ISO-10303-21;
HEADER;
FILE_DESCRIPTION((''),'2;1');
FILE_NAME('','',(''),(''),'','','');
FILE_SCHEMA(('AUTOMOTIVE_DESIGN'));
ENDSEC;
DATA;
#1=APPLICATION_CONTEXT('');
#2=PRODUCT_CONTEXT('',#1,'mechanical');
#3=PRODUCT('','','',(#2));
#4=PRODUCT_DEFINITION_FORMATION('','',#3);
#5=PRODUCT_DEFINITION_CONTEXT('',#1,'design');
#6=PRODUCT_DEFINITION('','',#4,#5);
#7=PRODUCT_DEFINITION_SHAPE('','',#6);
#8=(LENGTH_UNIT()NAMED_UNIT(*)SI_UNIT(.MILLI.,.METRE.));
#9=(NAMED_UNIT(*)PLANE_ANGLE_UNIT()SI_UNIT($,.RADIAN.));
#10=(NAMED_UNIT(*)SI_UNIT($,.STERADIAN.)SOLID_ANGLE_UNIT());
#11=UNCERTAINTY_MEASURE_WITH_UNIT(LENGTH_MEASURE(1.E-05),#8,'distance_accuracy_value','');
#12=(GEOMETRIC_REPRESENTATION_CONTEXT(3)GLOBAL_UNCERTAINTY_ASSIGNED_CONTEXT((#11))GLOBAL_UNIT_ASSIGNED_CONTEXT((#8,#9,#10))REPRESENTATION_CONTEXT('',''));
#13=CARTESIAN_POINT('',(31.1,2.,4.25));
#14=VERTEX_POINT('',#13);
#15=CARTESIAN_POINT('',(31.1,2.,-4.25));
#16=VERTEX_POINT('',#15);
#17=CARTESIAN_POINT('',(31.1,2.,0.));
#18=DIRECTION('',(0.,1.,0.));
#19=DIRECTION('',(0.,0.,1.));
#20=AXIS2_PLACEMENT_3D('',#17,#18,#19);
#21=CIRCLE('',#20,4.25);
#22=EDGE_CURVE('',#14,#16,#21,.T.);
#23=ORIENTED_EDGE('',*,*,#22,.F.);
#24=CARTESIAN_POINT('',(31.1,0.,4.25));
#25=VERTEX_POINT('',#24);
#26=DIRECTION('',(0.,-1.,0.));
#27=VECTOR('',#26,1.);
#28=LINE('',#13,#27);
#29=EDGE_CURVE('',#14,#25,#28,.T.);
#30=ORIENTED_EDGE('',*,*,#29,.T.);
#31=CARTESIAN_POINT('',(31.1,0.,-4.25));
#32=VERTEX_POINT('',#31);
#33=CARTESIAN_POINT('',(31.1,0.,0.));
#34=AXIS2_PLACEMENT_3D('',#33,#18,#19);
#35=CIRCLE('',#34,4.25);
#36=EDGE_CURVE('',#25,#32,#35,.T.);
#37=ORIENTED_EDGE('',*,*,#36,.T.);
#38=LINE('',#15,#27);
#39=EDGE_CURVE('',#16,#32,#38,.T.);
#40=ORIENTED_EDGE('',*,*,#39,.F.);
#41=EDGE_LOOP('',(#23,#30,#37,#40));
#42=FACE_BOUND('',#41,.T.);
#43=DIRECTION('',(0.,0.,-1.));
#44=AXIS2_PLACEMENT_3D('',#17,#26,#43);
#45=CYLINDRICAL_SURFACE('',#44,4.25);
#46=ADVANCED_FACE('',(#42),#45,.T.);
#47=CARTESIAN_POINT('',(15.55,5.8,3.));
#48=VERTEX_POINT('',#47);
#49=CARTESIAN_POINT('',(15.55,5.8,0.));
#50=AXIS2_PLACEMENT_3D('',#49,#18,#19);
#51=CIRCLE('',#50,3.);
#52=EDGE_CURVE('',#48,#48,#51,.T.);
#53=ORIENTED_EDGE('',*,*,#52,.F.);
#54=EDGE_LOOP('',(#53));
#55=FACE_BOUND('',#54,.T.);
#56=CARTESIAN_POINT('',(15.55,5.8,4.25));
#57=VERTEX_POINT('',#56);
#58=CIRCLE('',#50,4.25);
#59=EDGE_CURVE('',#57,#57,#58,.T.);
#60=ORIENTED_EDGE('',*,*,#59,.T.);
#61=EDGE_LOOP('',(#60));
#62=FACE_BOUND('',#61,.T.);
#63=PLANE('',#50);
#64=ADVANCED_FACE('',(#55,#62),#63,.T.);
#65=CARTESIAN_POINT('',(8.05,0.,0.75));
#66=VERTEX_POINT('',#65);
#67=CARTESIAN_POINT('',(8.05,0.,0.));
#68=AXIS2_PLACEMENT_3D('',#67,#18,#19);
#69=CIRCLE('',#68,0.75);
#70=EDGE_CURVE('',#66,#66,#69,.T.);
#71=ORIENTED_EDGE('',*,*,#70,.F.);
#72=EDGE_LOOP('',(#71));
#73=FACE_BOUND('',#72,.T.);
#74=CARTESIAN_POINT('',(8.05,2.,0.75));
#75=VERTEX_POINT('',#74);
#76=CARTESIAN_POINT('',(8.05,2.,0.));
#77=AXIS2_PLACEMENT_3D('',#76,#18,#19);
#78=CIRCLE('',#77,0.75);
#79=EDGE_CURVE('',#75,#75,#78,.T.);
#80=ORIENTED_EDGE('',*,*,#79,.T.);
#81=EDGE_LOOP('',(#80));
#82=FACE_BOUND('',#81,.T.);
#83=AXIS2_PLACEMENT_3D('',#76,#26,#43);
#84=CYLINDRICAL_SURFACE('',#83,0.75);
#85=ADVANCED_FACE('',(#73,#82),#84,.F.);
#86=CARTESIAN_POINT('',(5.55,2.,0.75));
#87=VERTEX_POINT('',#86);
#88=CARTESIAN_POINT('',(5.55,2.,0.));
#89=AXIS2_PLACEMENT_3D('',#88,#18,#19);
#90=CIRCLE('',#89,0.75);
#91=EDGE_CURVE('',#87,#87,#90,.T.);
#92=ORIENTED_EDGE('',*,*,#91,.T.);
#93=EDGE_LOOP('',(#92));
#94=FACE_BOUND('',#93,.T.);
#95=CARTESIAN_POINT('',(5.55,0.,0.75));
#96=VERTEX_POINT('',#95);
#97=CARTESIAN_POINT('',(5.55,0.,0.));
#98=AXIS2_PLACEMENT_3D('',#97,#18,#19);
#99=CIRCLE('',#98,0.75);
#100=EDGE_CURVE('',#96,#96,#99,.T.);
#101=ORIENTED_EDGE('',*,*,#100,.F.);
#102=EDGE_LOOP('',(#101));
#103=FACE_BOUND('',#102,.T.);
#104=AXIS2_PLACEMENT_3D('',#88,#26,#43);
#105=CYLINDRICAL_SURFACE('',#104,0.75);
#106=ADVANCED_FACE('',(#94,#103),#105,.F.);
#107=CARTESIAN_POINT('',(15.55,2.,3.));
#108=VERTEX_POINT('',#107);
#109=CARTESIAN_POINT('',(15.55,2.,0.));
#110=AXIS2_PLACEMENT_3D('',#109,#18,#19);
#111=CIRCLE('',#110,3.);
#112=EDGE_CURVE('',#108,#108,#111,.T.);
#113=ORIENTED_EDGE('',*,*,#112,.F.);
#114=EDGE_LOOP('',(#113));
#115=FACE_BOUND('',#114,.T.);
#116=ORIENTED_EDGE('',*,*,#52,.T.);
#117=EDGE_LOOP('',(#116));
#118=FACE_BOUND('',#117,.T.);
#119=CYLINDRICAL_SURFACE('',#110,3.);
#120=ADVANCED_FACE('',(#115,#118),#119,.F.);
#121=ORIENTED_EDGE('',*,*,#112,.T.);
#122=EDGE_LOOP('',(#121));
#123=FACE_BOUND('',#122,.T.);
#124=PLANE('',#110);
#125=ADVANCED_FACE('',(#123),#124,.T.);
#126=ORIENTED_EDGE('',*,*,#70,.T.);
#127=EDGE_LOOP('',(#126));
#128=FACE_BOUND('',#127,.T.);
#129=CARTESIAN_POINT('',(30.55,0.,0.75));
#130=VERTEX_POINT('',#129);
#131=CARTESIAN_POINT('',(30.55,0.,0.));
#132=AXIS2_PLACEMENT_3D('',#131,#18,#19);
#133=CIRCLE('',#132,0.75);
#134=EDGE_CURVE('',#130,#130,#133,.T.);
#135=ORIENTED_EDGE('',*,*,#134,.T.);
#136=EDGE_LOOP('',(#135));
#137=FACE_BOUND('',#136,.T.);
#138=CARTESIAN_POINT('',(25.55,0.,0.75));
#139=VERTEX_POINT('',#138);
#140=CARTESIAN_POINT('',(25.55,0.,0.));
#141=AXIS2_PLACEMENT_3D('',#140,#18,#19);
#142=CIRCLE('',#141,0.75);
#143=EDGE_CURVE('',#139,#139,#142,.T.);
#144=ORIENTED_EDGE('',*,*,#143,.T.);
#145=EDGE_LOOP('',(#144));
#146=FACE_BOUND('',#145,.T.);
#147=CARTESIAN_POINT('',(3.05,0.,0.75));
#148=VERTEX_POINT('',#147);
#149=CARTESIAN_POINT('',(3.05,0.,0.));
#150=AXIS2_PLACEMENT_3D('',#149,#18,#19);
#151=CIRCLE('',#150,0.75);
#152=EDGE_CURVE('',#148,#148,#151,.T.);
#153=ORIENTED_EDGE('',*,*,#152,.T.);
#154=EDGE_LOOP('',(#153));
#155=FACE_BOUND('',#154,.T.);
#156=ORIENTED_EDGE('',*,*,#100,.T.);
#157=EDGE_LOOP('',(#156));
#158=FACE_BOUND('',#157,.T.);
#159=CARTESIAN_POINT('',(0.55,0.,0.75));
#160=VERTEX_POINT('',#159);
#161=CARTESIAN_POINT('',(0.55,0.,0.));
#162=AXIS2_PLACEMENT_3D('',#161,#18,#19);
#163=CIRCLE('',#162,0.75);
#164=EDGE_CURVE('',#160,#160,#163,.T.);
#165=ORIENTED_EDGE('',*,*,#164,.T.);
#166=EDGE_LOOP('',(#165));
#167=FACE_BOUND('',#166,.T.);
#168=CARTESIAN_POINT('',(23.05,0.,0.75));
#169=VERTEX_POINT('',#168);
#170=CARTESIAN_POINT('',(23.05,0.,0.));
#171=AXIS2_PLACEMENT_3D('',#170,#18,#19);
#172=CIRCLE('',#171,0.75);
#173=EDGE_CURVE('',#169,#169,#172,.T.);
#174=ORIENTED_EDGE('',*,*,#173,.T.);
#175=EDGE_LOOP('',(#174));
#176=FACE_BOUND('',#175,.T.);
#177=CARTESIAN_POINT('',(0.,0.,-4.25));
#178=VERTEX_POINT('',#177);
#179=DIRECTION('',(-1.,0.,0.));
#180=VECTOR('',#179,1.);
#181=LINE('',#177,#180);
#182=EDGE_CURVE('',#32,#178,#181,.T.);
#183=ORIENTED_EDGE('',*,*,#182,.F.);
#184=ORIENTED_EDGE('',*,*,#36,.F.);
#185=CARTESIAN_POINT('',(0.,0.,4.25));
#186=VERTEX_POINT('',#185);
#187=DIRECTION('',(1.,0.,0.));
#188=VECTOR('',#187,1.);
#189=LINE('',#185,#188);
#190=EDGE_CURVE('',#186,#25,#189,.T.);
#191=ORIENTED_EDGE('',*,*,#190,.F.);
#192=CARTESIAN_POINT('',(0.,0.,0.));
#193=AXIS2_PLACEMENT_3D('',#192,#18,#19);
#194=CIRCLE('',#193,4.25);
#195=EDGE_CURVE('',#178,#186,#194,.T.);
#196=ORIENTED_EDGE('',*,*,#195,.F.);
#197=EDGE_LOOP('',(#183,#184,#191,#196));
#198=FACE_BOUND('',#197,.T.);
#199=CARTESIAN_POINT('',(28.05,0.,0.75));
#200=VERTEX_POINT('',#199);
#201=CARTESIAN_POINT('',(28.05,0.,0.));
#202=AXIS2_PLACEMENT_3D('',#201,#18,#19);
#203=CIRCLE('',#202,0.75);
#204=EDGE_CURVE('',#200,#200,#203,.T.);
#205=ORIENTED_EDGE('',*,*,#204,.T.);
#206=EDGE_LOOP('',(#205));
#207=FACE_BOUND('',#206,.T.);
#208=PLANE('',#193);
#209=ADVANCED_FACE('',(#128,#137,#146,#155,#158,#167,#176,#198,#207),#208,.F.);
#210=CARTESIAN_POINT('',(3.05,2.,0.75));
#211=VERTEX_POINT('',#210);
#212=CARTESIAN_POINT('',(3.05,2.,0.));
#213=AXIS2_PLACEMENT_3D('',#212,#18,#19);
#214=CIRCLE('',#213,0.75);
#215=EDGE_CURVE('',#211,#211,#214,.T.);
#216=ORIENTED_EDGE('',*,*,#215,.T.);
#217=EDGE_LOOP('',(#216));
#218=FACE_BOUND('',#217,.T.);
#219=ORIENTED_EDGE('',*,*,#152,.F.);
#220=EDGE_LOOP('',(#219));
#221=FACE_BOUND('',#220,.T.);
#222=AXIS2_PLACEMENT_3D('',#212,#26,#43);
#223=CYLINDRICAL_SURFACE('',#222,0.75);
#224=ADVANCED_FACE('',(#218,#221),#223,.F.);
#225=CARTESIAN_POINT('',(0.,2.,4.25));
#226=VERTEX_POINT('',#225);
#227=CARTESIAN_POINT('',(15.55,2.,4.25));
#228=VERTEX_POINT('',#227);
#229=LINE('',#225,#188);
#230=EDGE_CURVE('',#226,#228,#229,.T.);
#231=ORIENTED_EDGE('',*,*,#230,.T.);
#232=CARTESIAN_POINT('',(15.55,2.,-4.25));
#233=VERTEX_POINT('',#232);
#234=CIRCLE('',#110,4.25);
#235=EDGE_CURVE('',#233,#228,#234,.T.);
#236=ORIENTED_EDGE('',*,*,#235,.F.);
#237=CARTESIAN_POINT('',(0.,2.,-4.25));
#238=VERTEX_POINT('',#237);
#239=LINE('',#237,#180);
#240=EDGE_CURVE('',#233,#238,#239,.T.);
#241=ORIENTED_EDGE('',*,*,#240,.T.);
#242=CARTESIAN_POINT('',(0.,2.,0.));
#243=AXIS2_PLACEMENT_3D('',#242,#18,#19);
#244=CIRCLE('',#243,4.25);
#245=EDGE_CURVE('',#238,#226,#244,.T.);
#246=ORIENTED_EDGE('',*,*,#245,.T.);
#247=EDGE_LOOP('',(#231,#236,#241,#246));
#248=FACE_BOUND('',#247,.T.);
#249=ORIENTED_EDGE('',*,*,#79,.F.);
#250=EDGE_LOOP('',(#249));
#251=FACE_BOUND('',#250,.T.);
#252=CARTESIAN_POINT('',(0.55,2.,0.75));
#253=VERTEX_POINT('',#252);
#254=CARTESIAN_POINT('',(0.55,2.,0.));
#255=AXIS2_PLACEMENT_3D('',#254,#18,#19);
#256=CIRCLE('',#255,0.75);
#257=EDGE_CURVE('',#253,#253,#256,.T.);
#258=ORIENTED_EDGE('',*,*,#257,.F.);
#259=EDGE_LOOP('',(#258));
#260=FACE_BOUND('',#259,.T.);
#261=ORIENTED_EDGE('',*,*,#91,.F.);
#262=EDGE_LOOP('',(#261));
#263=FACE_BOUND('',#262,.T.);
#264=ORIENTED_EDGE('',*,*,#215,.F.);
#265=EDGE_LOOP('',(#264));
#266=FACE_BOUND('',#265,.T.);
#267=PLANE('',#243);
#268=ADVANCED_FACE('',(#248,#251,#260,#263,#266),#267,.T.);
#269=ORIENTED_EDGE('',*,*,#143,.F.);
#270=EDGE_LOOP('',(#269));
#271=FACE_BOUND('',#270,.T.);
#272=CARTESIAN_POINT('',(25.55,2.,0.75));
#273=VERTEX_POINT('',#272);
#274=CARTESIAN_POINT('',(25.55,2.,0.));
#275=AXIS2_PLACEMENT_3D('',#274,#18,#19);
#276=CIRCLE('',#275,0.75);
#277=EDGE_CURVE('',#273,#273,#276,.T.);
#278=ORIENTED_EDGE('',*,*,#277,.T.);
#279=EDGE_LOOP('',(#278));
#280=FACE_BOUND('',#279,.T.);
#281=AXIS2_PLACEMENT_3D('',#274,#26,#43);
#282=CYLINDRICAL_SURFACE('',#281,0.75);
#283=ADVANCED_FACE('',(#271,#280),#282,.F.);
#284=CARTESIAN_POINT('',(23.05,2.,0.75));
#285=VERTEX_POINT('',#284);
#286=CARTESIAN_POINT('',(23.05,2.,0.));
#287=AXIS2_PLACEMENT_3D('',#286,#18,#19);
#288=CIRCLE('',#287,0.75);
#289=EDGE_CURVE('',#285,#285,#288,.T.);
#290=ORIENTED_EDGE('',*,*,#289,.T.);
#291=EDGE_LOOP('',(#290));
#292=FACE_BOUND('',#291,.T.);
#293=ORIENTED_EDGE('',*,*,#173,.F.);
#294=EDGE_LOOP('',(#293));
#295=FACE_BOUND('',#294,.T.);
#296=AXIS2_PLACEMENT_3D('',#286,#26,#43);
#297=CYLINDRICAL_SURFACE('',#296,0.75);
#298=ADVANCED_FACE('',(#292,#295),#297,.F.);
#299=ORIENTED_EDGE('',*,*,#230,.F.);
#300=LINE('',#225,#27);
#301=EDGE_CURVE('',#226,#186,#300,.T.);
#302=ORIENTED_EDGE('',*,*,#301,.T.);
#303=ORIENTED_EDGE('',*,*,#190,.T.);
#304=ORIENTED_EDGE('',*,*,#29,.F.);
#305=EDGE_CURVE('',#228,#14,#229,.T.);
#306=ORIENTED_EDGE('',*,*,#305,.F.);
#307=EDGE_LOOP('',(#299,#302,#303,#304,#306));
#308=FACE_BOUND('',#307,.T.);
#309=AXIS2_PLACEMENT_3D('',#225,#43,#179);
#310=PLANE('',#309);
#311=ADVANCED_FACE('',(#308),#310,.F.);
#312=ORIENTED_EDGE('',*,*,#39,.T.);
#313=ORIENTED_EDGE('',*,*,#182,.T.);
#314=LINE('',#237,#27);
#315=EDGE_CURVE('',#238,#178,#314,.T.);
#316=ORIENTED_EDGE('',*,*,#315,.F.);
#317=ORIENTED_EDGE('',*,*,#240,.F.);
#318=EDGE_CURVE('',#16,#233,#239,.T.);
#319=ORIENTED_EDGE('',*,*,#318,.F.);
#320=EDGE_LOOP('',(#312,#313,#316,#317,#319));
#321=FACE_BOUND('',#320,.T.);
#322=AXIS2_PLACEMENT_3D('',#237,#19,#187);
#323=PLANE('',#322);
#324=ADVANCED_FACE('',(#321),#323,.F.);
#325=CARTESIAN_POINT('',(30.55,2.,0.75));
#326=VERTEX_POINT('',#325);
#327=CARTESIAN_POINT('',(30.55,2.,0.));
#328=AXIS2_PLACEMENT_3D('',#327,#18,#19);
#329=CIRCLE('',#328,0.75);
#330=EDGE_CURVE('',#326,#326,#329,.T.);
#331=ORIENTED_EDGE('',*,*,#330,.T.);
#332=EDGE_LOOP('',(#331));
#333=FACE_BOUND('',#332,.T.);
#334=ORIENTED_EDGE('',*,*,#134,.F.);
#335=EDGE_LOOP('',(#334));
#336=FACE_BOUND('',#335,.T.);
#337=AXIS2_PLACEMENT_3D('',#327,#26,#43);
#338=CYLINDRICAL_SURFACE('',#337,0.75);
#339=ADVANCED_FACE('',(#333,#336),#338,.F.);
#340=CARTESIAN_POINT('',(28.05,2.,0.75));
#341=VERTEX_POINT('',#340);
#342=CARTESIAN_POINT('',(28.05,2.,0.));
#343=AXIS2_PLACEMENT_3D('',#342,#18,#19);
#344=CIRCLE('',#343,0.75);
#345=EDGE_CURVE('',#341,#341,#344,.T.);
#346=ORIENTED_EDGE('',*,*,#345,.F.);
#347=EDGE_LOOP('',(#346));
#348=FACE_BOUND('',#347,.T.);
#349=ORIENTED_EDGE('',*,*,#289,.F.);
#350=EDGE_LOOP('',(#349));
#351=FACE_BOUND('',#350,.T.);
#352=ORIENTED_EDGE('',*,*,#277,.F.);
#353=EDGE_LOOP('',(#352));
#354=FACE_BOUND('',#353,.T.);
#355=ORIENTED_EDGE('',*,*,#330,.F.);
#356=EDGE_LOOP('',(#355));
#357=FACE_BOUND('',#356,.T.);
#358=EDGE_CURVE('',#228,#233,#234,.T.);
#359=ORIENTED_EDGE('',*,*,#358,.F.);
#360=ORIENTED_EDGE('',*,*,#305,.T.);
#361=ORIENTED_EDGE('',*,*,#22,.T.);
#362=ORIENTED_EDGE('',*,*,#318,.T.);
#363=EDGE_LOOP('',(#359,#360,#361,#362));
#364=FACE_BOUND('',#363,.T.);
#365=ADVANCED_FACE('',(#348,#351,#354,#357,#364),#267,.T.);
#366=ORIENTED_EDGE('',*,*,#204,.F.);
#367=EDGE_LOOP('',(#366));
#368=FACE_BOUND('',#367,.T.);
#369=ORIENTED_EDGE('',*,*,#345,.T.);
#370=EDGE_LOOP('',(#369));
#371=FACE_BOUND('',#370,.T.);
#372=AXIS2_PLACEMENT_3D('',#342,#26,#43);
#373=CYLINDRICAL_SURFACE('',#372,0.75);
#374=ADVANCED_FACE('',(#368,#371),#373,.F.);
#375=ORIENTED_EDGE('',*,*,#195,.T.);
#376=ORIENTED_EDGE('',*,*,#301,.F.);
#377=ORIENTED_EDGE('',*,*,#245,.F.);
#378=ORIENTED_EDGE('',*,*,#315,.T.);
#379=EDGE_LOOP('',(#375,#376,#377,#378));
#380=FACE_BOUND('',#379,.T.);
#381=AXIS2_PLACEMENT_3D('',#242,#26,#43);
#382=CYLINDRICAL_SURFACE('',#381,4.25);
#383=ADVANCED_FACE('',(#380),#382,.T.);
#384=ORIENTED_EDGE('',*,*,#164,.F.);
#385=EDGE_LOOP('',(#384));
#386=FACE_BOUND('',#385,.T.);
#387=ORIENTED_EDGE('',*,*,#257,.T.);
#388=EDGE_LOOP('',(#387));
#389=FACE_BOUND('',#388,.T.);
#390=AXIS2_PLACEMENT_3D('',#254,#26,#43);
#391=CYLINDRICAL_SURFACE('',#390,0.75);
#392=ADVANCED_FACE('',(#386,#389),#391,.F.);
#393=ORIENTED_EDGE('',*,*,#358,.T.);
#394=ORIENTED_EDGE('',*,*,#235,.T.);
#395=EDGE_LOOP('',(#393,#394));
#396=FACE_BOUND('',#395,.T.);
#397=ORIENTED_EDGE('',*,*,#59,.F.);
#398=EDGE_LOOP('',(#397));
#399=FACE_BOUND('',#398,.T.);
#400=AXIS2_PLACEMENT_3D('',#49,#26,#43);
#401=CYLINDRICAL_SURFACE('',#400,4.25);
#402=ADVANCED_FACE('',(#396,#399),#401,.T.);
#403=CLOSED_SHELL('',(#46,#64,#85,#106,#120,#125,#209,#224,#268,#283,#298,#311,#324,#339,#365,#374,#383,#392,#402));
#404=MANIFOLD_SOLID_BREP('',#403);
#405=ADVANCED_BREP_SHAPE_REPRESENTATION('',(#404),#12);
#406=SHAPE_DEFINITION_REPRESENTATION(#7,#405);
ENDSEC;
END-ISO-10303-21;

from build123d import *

# Parameters (mm, degrees)
SKETCH_1_R          = 0.75
EXTRUDE_1_DEPTH     = 2
SKETCH_2_R          = 4.25
EXTRUDE_2_DEPTH     = 3.8
SKETCH_3_R          = 3
CUT_EXTRUDE_1_DEPTH = 3.8


with BuildPart() as part:
    # Эскиз1 → Бобышка-Вытянуть1 (new body)
    with BuildSketch(Plane(origin=(0, 0, 0), x_dir=(1, 0, 0), z_dir=(0, 1, 0))):
        with BuildLine():
            Line((0, 4.25), (31.1, 4.25))
            ThreePointArc((31.1, 4.25), (35.35, 0), (31.1, -4.25))
            Line((31.1, -4.25), (0, -4.25))
            ThreePointArc((0, -4.25), (-4.25, 0), (0, 4.25))
        make_face()
        with Locations((8.05, 0)):
            Circle(SKETCH_1_R, mode=Mode.SUBTRACT)
        with Locations((23.05, 0)):
            Circle(SKETCH_1_R, mode=Mode.SUBTRACT)
        with Locations((25.55, 0)):
            Circle(SKETCH_1_R, mode=Mode.SUBTRACT)
        with Locations((28.05, 0)):
            Circle(SKETCH_1_R, mode=Mode.SUBTRACT)
        with Locations((30.55, 0)):
            Circle(SKETCH_1_R, mode=Mode.SUBTRACT)
        with Locations((5.55, 0)):
            Circle(SKETCH_1_R, mode=Mode.SUBTRACT)
        with Locations((3.05, 0)):
            Circle(SKETCH_1_R, mode=Mode.SUBTRACT)
        with Locations((0.55, 0)):
            Circle(SKETCH_1_R, mode=Mode.SUBTRACT)
    extrude(amount=EXTRUDE_1_DEPTH)

    # Эскиз2 → Бобышка-Вытянуть2 (add)
    with BuildSketch(Plane(origin=(0, 2, 0), x_dir=(1, 0, 0), z_dir=(0, 1, 0))):
        with Locations((15.55, 0)):
            Circle(SKETCH_2_R)
    extrude(amount=EXTRUDE_2_DEPTH)

    # Эскиз3 → Вырез-Вытянуть1 (cut)
    with BuildSketch(Plane(origin=(0, 5.8, 0), x_dir=(1, 0, 0), z_dir=(0, 1, 0))):
        with Locations((15.55, 0)):
            Circle(SKETCH_3_R)
    extrude(amount=-CUT_EXTRUDE_1_DEPTH, mode=Mode.SUBTRACT)


solid = part.part
